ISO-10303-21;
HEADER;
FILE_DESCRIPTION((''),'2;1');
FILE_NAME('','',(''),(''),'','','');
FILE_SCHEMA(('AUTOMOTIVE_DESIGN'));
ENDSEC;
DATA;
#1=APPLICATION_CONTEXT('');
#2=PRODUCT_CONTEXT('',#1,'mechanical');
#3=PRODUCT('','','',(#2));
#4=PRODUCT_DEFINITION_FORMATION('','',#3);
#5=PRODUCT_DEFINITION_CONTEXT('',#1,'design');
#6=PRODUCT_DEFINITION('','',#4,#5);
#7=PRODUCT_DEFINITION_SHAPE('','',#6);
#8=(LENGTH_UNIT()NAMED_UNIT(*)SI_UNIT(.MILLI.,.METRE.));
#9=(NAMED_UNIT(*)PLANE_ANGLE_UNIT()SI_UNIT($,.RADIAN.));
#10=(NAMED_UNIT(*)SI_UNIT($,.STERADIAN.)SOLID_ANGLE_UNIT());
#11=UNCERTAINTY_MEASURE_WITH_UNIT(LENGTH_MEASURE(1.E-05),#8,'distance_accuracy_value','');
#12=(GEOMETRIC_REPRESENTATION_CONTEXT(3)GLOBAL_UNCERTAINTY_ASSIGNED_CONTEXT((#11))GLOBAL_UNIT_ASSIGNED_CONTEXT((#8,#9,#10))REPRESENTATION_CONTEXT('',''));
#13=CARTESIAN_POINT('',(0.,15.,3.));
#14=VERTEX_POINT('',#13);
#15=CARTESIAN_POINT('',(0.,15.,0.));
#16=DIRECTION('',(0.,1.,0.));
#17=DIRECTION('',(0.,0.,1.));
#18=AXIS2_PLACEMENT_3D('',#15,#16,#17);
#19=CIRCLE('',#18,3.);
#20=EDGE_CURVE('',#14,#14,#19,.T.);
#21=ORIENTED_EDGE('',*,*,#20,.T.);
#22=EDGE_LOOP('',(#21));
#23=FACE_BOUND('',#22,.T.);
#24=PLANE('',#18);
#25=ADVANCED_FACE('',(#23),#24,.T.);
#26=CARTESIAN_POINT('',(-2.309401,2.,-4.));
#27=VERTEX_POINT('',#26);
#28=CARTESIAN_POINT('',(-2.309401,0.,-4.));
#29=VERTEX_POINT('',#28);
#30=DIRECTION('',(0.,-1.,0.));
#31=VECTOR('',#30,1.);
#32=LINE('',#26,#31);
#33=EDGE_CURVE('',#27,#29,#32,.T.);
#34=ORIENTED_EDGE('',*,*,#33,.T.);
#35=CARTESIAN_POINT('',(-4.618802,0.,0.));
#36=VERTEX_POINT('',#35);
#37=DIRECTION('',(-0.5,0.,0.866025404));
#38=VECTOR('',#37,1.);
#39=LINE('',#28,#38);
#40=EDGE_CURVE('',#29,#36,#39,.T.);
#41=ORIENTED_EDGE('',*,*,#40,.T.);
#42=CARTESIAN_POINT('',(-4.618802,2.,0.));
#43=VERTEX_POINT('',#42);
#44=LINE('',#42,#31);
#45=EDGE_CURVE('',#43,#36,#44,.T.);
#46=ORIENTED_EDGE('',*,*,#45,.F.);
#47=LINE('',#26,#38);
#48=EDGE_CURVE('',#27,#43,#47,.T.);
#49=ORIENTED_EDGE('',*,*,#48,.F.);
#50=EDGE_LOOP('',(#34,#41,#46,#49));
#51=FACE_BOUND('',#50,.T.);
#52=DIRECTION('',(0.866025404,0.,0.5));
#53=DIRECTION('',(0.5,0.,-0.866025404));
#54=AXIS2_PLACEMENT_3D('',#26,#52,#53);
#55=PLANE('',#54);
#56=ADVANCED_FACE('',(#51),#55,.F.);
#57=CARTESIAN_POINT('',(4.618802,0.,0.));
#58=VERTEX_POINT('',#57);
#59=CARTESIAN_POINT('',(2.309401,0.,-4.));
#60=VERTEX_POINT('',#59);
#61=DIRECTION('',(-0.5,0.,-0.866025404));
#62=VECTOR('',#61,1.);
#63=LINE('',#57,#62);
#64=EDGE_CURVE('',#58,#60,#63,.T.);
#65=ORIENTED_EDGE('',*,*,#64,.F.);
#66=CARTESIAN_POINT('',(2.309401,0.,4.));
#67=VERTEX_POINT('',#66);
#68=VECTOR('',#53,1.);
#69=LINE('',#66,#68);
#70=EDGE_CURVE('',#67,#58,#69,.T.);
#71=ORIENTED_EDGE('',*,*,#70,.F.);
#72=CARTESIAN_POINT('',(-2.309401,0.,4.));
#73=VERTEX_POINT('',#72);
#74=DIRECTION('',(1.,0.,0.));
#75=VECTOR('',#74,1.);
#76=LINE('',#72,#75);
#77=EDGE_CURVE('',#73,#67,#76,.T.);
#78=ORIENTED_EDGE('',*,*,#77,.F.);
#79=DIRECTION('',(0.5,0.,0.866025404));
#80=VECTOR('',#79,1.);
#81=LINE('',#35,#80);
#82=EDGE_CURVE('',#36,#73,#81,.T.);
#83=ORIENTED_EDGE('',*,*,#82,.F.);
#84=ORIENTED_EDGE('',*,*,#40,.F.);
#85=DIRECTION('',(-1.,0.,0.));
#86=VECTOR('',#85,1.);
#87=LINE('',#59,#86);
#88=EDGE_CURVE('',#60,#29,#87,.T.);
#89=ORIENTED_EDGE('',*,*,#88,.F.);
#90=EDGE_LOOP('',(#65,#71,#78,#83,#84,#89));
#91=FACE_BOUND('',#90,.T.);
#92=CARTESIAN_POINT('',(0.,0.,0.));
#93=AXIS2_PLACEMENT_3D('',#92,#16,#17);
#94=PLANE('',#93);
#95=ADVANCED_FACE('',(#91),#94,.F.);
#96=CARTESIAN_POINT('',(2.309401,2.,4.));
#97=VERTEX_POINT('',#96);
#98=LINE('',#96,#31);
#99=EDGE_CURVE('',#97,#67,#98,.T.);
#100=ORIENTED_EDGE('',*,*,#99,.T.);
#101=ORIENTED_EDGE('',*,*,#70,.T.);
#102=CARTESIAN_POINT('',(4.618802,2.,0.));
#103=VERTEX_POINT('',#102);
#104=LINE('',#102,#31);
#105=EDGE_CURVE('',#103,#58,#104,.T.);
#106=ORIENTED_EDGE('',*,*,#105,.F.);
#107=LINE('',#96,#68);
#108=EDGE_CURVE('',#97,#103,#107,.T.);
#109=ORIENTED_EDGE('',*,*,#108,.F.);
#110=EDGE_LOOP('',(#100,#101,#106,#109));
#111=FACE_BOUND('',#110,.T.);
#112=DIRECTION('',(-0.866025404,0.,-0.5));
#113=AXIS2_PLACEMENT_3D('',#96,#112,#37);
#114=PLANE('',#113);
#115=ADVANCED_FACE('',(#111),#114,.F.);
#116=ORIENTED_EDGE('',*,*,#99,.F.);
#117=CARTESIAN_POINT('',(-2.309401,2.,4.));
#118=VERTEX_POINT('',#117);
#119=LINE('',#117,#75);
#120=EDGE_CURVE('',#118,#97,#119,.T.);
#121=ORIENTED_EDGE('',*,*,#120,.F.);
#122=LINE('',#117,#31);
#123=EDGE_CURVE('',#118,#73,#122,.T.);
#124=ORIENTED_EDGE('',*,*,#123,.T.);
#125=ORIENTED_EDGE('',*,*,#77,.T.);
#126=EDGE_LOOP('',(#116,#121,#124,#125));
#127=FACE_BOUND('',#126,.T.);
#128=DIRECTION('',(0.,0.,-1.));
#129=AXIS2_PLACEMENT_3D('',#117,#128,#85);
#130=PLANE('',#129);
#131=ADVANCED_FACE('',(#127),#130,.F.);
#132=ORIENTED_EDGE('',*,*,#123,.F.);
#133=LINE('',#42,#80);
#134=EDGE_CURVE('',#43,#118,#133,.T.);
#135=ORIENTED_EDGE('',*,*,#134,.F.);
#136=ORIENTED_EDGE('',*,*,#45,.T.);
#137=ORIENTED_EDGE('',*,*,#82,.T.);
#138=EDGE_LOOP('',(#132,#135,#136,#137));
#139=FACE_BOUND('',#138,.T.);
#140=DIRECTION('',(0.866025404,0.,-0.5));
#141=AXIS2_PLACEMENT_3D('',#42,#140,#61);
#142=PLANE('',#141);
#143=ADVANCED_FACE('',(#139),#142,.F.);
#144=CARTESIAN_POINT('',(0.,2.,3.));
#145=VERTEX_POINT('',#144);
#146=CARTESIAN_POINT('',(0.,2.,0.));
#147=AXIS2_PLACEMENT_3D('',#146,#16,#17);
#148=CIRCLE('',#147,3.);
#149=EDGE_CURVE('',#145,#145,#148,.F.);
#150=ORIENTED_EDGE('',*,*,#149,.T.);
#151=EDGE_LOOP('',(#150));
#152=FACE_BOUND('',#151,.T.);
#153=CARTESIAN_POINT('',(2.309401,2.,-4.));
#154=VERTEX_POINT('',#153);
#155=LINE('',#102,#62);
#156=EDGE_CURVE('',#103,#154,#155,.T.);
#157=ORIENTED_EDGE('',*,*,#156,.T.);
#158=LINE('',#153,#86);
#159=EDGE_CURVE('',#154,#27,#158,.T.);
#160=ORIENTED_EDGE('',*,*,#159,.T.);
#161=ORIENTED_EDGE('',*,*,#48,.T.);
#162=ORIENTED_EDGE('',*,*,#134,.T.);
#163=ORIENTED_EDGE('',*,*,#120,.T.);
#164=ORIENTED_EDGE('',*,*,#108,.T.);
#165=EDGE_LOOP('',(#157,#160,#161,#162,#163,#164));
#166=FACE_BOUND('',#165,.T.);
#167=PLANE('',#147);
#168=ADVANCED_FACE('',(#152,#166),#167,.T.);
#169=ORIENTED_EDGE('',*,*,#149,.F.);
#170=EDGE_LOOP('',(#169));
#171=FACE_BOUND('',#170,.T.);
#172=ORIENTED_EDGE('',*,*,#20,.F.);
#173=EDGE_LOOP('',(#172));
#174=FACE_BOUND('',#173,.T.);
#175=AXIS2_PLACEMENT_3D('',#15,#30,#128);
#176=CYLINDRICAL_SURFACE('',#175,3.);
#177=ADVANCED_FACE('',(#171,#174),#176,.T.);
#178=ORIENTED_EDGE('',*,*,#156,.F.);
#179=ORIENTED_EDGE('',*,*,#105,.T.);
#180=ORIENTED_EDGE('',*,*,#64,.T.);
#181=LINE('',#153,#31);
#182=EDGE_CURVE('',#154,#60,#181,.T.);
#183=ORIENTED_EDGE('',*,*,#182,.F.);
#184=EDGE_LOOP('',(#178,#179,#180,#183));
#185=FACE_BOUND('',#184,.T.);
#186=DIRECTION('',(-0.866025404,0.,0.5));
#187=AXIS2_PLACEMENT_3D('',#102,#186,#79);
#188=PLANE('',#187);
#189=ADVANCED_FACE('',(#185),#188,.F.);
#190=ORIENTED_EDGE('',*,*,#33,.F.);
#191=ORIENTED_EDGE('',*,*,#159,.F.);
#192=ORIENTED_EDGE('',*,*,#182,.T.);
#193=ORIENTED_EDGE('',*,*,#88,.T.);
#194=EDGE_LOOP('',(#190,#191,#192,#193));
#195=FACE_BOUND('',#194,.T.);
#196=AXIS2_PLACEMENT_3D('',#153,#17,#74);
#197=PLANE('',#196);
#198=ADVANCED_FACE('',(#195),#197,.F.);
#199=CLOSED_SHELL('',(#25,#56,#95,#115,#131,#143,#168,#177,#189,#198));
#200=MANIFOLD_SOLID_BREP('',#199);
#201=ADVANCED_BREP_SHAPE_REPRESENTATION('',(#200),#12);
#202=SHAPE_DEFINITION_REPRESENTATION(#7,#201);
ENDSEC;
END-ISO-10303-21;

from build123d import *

# Parameters (mm, degrees)
EXTRUDE_1_DEPTH = 2
SKETCH_2_R      = 3
EXTRUDE_2_DEPTH = 15


with BuildPart() as part:
    # 草圖1 → 填料-伸長1 (new body)
    with BuildSketch(Plane(origin=(0, 0, 0), x_dir=(1, 0, 0), z_dir=(0, 1, 0))):
        Polygon((4.618802154, 0), (2.309401077, 4), (-2.309401077, 4), (-4.618802154, 0), (-2.309401077, -4), (2.309401077, -4), align=None)
    extrude(amount=EXTRUDE_1_DEPTH)

    # 草圖2 → 填料-伸長2 (add)
    with BuildSketch(Plane(origin=(0, 0, 0), x_dir=(1, 0, 0), z_dir=(0, 1, 0))):
        Circle(SKETCH_2_R)
    extrude(amount=EXTRUDE_2_DEPTH)


solid = part.part
